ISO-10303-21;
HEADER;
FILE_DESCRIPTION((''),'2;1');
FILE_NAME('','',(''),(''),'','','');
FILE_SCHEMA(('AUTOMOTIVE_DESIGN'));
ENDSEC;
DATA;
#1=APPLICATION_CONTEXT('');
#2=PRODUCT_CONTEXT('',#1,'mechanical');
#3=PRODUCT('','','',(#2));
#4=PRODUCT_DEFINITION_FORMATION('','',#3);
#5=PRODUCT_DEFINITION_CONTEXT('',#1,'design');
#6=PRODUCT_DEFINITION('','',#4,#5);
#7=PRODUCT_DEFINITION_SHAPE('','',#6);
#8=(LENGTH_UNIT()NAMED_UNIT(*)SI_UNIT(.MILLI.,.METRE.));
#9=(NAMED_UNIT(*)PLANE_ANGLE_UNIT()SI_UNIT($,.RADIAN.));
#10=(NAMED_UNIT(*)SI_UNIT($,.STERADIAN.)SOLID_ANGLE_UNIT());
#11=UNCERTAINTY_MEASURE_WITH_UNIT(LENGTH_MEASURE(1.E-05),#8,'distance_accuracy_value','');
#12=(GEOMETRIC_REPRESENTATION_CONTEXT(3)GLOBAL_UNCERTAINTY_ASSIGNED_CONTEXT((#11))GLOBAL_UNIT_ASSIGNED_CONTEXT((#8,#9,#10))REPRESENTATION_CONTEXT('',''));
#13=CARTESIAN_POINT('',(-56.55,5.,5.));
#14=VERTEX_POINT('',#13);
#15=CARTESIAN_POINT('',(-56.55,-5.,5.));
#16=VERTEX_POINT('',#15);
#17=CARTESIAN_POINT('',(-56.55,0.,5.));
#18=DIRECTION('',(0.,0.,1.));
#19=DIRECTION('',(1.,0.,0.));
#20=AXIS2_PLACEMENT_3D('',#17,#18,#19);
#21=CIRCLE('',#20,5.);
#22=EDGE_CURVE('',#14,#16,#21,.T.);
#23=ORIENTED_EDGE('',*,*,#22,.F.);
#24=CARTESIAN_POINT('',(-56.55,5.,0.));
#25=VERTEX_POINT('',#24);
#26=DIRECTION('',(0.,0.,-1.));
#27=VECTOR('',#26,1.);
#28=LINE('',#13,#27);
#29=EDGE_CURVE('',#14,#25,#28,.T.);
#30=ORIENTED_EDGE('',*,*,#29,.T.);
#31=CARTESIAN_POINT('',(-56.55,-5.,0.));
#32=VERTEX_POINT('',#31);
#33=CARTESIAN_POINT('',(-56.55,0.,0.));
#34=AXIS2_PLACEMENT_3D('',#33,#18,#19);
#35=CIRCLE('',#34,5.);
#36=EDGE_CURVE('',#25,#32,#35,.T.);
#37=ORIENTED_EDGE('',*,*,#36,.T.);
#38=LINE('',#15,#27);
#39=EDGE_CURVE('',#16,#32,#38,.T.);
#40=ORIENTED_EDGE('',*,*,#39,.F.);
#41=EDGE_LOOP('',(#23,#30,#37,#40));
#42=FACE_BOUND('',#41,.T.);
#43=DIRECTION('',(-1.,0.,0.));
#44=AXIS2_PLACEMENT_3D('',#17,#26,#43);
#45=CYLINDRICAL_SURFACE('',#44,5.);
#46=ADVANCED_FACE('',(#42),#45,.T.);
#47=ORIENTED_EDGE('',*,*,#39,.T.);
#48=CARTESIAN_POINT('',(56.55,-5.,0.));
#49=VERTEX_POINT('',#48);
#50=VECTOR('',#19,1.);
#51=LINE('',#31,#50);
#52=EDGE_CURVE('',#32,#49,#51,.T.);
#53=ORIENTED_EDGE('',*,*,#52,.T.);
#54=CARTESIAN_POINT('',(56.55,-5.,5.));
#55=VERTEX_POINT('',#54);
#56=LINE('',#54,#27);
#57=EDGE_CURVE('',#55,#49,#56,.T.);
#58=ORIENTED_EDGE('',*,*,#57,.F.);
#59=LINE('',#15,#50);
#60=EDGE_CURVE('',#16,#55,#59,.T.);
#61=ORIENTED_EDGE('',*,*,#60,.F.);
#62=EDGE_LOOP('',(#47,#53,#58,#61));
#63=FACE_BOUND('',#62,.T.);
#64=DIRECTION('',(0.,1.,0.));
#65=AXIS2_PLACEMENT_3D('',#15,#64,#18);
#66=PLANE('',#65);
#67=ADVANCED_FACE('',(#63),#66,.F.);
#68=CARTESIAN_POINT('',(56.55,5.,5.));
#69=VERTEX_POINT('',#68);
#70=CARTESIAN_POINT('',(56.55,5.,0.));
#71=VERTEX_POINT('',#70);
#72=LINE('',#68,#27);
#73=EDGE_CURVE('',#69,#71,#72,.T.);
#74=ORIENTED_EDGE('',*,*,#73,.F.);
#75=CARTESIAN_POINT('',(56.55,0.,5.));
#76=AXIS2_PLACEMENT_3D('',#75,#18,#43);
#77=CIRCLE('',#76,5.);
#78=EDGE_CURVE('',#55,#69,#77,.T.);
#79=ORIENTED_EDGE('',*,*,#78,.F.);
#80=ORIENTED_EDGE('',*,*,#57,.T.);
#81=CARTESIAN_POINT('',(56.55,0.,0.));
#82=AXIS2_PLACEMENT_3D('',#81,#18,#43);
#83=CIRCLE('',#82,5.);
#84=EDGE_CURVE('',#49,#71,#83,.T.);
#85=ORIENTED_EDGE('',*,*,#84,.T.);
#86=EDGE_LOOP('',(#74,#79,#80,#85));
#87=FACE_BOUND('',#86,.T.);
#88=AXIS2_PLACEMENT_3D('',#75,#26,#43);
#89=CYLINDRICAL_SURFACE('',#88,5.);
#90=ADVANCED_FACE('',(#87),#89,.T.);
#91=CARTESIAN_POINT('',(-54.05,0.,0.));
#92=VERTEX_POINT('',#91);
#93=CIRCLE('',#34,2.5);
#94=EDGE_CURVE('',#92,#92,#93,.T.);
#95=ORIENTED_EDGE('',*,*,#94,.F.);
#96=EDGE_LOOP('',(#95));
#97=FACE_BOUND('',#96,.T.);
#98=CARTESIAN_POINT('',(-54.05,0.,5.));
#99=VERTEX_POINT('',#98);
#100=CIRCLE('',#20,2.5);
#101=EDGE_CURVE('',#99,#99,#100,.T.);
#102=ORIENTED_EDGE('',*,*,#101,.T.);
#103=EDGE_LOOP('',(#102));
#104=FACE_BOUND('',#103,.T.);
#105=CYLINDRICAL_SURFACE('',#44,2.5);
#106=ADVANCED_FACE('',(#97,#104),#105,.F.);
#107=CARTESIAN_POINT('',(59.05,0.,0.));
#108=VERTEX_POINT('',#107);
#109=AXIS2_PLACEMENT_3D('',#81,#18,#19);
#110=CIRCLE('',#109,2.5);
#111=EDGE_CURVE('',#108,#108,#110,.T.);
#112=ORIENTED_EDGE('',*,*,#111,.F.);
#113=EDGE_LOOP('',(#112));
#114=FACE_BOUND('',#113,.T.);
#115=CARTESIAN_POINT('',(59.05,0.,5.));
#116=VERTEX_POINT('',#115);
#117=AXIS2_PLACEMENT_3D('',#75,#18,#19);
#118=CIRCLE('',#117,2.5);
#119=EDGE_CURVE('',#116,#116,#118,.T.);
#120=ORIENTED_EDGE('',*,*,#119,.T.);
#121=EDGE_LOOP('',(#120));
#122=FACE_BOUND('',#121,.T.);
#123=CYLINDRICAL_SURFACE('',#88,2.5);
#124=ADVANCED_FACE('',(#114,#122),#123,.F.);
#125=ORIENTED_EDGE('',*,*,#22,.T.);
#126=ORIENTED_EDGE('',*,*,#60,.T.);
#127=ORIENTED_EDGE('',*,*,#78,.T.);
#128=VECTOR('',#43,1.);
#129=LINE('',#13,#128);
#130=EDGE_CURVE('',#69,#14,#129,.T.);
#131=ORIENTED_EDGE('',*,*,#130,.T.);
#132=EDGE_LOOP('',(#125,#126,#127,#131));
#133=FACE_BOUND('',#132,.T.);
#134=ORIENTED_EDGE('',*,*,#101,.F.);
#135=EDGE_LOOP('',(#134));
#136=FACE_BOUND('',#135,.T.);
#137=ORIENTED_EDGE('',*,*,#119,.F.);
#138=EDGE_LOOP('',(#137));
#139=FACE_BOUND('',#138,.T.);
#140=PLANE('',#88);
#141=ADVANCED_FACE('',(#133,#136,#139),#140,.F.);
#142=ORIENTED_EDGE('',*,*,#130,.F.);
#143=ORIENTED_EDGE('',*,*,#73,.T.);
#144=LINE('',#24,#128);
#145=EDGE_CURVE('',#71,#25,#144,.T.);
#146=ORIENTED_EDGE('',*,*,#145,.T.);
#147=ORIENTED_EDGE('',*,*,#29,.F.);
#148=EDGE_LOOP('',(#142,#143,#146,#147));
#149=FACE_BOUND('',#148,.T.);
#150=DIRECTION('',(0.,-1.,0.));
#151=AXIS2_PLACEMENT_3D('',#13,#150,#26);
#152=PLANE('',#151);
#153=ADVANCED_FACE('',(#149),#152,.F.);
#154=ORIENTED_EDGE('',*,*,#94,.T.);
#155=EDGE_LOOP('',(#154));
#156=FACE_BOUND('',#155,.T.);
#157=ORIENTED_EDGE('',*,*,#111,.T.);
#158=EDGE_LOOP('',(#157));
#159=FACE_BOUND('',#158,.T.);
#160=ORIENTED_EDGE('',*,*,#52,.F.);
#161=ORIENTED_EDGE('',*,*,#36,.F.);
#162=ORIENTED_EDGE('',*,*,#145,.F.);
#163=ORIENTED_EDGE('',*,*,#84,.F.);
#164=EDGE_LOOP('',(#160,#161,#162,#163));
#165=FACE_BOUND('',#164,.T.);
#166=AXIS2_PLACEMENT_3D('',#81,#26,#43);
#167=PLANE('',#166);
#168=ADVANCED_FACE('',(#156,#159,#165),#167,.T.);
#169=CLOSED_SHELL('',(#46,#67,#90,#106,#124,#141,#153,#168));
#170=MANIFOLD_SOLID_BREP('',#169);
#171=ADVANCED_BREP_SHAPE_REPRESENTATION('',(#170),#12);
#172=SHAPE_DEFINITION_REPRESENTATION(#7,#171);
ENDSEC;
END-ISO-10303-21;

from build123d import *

# Parameters (mm, degrees)
ESBO_O1_R                = 2.5
RESSALTO_EXTRUS_O1_DEPTH = 5


with BuildPart() as part:
    # Esboço1 → Ressalto-extrusão1 (new body)
    with BuildSketch(Plane.XY):
        with BuildLine():
            Line((-56.55, 5), (56.55, 5))
            ThreePointArc((56.55, 5), (61.55, 0), (56.55, -5))
            Line((56.55, -5), (-56.55, -5))
            ThreePointArc((-56.55, -5), (-61.55, 0), (-56.55, 5))
        make_face()
        with Locations((-56.55, 0)):
            Circle(ESBO_O1_R, mode=Mode.SUBTRACT)
        with Locations((56.55, 0)):
            Circle(ESBO_O1_R, mode=Mode.SUBTRACT)
    extrude(amount=RESSALTO_EXTRUS_O1_DEPTH)


solid = part.part
